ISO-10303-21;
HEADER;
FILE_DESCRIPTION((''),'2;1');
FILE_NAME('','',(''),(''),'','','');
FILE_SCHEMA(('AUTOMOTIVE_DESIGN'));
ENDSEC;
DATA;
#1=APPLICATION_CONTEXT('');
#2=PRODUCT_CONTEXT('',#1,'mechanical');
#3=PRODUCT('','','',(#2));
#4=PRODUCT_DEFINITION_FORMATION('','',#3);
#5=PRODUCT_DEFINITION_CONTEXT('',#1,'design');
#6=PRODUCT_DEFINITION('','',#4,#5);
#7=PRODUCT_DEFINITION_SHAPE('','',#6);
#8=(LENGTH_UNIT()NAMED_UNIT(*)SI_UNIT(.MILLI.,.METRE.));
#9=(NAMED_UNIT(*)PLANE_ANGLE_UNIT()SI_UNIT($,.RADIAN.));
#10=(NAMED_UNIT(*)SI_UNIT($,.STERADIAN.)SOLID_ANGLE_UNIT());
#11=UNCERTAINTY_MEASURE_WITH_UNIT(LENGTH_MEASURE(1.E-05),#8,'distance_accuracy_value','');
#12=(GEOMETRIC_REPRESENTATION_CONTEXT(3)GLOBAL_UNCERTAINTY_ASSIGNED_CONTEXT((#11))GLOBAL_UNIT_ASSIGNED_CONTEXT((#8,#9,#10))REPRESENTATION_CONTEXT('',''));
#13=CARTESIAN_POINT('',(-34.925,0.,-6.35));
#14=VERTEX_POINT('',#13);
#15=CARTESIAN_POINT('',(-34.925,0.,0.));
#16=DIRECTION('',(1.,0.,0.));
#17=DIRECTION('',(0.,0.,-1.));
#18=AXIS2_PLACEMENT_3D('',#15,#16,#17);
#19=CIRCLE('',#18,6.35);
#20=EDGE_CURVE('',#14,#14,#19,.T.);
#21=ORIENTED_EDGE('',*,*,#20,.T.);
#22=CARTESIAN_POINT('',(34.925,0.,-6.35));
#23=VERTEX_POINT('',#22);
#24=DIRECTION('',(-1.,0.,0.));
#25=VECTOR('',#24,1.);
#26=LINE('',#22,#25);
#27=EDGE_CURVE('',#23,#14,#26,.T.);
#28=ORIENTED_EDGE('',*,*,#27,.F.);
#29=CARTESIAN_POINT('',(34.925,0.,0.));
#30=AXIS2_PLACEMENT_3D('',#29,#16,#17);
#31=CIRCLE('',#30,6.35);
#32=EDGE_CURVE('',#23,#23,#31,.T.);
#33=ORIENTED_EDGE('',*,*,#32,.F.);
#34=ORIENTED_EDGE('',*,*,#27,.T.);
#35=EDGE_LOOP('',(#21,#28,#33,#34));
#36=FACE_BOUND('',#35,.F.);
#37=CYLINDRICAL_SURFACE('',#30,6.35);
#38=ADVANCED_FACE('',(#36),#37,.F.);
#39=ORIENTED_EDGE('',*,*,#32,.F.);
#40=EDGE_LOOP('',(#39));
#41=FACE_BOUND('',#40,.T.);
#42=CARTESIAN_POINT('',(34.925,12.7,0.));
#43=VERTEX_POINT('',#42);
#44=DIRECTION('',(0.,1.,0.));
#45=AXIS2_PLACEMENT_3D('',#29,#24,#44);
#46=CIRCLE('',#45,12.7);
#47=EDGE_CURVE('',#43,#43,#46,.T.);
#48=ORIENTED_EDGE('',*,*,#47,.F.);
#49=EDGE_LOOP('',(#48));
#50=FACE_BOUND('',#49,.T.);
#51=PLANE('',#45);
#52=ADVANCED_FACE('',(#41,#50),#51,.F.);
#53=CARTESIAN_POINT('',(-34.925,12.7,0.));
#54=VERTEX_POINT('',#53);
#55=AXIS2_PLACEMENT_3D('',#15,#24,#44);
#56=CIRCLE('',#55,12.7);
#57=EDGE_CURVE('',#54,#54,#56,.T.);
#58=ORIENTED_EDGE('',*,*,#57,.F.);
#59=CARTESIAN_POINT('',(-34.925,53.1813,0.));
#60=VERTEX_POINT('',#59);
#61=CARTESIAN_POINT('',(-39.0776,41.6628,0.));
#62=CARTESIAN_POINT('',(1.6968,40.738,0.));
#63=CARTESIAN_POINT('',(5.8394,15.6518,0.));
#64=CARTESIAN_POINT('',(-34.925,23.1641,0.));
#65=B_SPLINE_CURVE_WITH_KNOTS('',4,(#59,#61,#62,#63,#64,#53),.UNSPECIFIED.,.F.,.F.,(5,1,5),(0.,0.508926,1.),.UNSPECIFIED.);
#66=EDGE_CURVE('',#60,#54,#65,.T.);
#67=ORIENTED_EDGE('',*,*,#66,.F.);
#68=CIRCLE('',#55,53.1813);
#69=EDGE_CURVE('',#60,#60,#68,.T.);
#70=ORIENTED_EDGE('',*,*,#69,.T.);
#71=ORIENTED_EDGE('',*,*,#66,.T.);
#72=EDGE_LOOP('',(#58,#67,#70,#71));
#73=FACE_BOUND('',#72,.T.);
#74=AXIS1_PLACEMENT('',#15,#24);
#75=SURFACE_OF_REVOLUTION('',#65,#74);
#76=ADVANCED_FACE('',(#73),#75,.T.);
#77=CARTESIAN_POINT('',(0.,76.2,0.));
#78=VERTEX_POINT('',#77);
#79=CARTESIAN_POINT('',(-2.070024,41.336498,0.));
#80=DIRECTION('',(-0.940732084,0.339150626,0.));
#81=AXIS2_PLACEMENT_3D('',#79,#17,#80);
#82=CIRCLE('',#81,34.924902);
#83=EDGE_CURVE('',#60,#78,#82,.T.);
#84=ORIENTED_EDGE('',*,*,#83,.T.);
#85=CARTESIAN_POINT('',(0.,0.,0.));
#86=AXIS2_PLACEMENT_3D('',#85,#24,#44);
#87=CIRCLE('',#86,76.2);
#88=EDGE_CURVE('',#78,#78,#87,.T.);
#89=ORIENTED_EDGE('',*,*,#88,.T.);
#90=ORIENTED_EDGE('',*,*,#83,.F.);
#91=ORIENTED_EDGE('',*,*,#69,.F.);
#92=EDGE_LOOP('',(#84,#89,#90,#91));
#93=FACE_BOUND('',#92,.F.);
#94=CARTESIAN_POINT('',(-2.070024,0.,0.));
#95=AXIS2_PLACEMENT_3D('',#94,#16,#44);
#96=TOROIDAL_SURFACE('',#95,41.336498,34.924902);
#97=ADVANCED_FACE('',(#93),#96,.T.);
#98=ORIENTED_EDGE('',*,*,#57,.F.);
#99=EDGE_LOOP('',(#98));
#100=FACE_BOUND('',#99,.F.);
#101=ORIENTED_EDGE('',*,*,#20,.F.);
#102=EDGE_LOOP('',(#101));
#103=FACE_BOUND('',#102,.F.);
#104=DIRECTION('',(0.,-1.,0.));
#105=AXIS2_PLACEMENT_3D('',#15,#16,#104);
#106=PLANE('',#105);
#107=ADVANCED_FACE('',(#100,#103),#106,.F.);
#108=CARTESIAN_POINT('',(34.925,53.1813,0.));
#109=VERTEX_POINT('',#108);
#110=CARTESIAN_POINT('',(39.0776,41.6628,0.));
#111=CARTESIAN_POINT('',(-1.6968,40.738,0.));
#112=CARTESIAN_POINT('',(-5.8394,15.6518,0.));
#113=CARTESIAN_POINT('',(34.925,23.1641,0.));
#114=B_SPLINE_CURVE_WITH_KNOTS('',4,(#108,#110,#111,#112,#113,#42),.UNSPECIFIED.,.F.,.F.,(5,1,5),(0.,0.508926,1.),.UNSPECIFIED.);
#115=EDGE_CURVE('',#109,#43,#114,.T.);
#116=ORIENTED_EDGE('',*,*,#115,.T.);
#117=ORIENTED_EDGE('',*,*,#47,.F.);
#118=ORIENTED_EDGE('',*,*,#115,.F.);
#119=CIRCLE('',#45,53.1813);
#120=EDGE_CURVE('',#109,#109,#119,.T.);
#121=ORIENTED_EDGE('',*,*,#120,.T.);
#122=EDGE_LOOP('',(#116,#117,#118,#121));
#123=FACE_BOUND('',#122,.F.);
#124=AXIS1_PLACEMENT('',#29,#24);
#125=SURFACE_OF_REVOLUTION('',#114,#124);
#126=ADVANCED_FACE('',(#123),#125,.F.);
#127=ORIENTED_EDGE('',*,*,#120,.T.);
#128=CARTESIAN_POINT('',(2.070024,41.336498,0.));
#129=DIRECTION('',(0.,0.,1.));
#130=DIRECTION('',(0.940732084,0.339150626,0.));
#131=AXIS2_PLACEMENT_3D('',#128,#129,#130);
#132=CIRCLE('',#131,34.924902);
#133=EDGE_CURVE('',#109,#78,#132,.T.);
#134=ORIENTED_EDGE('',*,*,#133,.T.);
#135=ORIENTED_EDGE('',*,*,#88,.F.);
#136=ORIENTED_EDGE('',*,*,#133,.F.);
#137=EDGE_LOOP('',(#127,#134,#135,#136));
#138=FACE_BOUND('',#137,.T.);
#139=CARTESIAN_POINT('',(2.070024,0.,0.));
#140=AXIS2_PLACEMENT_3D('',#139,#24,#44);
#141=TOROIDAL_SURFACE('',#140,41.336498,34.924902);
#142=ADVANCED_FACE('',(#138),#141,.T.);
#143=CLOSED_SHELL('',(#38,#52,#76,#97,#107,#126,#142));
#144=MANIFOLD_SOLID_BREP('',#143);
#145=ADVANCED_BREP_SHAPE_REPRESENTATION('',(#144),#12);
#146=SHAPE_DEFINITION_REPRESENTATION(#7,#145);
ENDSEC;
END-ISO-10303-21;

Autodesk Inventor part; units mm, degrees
ref_plane "YZ Plane" through (0, 0, 0) normal (1, 0, 0) x (0, 1, 0)
ref_plane "XZ Plane" through (0, 0, 0) normal (0, 1, 0) x (-1, 0, 0)
ref_plane "XY Plane" through (0, 0, 0) normal (0, 0, 1) x (1, 0, 0)
sketch "Sketch1" plane through (0, 0, 0) normal (0, 0, 1) x (1, 0, 0)
  line L0 (34.925, 0) -> (34.925, 12.7)
  arc A0 (34.925, 53.1813) -> (0, 76.2) centre (2.0699, 41.3364) ccw
  line L1 (2.0699, 41.3364) -> (34.925, 53.1813) construction
  spline S0 degree 4 poles (34.925, 53.1812) (39.0776, 41.6628) (-1.6968, 40.738) (-5.8394, 15.6518) (34.925, 23.1641) (34.925, 12.7) knots 0 0 0 0 0 0.508926 1 1 1 1 1
  line L2 (34.925, 0) -> (0, 0)
  line L3 (0, 76.2) -> (0, 0)
  line L4 (6.4324, 32.095) -> (6.2676, 25.055) construction
  point P0 (6.35, 28.575)
  point P1 (10.076, 28.4878)
  point P2 (7.1561, 30.8039)
  point P3 (7.0327, 26.3053)
  dimension "d0" = 34.925
  dimension "d2" = 12.7
  dimension "d5" = 76.2
  dimension "d7" = 34.925
  dimension "d8" = 6.35
  dimension "d9" = 28.575
  dimension "d10" = 40.4813
revolve "Revolution1" add sketch "Sketch1" angle 360 about axis through (34.925, 0, 0) along (-1, 0, 0)
mirror "Mirror1" about plane through (0, 38.1, 0) normal (-1, 0, 0) of "Revolution1"
sketch "Sketch2" plane through (34.925, 0, 0) normal (1, 0, 0) x (0, 0, -1)
  circle A0 centre (0, 0) radius 12.7 projected
  circle A1 centre (0, 0) radius 6.35
  point P0 (0, 12.7)
  dimension "d12" = 12.7
extrude "Extrusion1" cut sketch "Sketch2" against normal through all contours A1
equation "\"d9\" = 0.375 * d5"
equation "\"d10\" = 0.53125 * d5"
properties part number "Wheel" material "Rubber"
